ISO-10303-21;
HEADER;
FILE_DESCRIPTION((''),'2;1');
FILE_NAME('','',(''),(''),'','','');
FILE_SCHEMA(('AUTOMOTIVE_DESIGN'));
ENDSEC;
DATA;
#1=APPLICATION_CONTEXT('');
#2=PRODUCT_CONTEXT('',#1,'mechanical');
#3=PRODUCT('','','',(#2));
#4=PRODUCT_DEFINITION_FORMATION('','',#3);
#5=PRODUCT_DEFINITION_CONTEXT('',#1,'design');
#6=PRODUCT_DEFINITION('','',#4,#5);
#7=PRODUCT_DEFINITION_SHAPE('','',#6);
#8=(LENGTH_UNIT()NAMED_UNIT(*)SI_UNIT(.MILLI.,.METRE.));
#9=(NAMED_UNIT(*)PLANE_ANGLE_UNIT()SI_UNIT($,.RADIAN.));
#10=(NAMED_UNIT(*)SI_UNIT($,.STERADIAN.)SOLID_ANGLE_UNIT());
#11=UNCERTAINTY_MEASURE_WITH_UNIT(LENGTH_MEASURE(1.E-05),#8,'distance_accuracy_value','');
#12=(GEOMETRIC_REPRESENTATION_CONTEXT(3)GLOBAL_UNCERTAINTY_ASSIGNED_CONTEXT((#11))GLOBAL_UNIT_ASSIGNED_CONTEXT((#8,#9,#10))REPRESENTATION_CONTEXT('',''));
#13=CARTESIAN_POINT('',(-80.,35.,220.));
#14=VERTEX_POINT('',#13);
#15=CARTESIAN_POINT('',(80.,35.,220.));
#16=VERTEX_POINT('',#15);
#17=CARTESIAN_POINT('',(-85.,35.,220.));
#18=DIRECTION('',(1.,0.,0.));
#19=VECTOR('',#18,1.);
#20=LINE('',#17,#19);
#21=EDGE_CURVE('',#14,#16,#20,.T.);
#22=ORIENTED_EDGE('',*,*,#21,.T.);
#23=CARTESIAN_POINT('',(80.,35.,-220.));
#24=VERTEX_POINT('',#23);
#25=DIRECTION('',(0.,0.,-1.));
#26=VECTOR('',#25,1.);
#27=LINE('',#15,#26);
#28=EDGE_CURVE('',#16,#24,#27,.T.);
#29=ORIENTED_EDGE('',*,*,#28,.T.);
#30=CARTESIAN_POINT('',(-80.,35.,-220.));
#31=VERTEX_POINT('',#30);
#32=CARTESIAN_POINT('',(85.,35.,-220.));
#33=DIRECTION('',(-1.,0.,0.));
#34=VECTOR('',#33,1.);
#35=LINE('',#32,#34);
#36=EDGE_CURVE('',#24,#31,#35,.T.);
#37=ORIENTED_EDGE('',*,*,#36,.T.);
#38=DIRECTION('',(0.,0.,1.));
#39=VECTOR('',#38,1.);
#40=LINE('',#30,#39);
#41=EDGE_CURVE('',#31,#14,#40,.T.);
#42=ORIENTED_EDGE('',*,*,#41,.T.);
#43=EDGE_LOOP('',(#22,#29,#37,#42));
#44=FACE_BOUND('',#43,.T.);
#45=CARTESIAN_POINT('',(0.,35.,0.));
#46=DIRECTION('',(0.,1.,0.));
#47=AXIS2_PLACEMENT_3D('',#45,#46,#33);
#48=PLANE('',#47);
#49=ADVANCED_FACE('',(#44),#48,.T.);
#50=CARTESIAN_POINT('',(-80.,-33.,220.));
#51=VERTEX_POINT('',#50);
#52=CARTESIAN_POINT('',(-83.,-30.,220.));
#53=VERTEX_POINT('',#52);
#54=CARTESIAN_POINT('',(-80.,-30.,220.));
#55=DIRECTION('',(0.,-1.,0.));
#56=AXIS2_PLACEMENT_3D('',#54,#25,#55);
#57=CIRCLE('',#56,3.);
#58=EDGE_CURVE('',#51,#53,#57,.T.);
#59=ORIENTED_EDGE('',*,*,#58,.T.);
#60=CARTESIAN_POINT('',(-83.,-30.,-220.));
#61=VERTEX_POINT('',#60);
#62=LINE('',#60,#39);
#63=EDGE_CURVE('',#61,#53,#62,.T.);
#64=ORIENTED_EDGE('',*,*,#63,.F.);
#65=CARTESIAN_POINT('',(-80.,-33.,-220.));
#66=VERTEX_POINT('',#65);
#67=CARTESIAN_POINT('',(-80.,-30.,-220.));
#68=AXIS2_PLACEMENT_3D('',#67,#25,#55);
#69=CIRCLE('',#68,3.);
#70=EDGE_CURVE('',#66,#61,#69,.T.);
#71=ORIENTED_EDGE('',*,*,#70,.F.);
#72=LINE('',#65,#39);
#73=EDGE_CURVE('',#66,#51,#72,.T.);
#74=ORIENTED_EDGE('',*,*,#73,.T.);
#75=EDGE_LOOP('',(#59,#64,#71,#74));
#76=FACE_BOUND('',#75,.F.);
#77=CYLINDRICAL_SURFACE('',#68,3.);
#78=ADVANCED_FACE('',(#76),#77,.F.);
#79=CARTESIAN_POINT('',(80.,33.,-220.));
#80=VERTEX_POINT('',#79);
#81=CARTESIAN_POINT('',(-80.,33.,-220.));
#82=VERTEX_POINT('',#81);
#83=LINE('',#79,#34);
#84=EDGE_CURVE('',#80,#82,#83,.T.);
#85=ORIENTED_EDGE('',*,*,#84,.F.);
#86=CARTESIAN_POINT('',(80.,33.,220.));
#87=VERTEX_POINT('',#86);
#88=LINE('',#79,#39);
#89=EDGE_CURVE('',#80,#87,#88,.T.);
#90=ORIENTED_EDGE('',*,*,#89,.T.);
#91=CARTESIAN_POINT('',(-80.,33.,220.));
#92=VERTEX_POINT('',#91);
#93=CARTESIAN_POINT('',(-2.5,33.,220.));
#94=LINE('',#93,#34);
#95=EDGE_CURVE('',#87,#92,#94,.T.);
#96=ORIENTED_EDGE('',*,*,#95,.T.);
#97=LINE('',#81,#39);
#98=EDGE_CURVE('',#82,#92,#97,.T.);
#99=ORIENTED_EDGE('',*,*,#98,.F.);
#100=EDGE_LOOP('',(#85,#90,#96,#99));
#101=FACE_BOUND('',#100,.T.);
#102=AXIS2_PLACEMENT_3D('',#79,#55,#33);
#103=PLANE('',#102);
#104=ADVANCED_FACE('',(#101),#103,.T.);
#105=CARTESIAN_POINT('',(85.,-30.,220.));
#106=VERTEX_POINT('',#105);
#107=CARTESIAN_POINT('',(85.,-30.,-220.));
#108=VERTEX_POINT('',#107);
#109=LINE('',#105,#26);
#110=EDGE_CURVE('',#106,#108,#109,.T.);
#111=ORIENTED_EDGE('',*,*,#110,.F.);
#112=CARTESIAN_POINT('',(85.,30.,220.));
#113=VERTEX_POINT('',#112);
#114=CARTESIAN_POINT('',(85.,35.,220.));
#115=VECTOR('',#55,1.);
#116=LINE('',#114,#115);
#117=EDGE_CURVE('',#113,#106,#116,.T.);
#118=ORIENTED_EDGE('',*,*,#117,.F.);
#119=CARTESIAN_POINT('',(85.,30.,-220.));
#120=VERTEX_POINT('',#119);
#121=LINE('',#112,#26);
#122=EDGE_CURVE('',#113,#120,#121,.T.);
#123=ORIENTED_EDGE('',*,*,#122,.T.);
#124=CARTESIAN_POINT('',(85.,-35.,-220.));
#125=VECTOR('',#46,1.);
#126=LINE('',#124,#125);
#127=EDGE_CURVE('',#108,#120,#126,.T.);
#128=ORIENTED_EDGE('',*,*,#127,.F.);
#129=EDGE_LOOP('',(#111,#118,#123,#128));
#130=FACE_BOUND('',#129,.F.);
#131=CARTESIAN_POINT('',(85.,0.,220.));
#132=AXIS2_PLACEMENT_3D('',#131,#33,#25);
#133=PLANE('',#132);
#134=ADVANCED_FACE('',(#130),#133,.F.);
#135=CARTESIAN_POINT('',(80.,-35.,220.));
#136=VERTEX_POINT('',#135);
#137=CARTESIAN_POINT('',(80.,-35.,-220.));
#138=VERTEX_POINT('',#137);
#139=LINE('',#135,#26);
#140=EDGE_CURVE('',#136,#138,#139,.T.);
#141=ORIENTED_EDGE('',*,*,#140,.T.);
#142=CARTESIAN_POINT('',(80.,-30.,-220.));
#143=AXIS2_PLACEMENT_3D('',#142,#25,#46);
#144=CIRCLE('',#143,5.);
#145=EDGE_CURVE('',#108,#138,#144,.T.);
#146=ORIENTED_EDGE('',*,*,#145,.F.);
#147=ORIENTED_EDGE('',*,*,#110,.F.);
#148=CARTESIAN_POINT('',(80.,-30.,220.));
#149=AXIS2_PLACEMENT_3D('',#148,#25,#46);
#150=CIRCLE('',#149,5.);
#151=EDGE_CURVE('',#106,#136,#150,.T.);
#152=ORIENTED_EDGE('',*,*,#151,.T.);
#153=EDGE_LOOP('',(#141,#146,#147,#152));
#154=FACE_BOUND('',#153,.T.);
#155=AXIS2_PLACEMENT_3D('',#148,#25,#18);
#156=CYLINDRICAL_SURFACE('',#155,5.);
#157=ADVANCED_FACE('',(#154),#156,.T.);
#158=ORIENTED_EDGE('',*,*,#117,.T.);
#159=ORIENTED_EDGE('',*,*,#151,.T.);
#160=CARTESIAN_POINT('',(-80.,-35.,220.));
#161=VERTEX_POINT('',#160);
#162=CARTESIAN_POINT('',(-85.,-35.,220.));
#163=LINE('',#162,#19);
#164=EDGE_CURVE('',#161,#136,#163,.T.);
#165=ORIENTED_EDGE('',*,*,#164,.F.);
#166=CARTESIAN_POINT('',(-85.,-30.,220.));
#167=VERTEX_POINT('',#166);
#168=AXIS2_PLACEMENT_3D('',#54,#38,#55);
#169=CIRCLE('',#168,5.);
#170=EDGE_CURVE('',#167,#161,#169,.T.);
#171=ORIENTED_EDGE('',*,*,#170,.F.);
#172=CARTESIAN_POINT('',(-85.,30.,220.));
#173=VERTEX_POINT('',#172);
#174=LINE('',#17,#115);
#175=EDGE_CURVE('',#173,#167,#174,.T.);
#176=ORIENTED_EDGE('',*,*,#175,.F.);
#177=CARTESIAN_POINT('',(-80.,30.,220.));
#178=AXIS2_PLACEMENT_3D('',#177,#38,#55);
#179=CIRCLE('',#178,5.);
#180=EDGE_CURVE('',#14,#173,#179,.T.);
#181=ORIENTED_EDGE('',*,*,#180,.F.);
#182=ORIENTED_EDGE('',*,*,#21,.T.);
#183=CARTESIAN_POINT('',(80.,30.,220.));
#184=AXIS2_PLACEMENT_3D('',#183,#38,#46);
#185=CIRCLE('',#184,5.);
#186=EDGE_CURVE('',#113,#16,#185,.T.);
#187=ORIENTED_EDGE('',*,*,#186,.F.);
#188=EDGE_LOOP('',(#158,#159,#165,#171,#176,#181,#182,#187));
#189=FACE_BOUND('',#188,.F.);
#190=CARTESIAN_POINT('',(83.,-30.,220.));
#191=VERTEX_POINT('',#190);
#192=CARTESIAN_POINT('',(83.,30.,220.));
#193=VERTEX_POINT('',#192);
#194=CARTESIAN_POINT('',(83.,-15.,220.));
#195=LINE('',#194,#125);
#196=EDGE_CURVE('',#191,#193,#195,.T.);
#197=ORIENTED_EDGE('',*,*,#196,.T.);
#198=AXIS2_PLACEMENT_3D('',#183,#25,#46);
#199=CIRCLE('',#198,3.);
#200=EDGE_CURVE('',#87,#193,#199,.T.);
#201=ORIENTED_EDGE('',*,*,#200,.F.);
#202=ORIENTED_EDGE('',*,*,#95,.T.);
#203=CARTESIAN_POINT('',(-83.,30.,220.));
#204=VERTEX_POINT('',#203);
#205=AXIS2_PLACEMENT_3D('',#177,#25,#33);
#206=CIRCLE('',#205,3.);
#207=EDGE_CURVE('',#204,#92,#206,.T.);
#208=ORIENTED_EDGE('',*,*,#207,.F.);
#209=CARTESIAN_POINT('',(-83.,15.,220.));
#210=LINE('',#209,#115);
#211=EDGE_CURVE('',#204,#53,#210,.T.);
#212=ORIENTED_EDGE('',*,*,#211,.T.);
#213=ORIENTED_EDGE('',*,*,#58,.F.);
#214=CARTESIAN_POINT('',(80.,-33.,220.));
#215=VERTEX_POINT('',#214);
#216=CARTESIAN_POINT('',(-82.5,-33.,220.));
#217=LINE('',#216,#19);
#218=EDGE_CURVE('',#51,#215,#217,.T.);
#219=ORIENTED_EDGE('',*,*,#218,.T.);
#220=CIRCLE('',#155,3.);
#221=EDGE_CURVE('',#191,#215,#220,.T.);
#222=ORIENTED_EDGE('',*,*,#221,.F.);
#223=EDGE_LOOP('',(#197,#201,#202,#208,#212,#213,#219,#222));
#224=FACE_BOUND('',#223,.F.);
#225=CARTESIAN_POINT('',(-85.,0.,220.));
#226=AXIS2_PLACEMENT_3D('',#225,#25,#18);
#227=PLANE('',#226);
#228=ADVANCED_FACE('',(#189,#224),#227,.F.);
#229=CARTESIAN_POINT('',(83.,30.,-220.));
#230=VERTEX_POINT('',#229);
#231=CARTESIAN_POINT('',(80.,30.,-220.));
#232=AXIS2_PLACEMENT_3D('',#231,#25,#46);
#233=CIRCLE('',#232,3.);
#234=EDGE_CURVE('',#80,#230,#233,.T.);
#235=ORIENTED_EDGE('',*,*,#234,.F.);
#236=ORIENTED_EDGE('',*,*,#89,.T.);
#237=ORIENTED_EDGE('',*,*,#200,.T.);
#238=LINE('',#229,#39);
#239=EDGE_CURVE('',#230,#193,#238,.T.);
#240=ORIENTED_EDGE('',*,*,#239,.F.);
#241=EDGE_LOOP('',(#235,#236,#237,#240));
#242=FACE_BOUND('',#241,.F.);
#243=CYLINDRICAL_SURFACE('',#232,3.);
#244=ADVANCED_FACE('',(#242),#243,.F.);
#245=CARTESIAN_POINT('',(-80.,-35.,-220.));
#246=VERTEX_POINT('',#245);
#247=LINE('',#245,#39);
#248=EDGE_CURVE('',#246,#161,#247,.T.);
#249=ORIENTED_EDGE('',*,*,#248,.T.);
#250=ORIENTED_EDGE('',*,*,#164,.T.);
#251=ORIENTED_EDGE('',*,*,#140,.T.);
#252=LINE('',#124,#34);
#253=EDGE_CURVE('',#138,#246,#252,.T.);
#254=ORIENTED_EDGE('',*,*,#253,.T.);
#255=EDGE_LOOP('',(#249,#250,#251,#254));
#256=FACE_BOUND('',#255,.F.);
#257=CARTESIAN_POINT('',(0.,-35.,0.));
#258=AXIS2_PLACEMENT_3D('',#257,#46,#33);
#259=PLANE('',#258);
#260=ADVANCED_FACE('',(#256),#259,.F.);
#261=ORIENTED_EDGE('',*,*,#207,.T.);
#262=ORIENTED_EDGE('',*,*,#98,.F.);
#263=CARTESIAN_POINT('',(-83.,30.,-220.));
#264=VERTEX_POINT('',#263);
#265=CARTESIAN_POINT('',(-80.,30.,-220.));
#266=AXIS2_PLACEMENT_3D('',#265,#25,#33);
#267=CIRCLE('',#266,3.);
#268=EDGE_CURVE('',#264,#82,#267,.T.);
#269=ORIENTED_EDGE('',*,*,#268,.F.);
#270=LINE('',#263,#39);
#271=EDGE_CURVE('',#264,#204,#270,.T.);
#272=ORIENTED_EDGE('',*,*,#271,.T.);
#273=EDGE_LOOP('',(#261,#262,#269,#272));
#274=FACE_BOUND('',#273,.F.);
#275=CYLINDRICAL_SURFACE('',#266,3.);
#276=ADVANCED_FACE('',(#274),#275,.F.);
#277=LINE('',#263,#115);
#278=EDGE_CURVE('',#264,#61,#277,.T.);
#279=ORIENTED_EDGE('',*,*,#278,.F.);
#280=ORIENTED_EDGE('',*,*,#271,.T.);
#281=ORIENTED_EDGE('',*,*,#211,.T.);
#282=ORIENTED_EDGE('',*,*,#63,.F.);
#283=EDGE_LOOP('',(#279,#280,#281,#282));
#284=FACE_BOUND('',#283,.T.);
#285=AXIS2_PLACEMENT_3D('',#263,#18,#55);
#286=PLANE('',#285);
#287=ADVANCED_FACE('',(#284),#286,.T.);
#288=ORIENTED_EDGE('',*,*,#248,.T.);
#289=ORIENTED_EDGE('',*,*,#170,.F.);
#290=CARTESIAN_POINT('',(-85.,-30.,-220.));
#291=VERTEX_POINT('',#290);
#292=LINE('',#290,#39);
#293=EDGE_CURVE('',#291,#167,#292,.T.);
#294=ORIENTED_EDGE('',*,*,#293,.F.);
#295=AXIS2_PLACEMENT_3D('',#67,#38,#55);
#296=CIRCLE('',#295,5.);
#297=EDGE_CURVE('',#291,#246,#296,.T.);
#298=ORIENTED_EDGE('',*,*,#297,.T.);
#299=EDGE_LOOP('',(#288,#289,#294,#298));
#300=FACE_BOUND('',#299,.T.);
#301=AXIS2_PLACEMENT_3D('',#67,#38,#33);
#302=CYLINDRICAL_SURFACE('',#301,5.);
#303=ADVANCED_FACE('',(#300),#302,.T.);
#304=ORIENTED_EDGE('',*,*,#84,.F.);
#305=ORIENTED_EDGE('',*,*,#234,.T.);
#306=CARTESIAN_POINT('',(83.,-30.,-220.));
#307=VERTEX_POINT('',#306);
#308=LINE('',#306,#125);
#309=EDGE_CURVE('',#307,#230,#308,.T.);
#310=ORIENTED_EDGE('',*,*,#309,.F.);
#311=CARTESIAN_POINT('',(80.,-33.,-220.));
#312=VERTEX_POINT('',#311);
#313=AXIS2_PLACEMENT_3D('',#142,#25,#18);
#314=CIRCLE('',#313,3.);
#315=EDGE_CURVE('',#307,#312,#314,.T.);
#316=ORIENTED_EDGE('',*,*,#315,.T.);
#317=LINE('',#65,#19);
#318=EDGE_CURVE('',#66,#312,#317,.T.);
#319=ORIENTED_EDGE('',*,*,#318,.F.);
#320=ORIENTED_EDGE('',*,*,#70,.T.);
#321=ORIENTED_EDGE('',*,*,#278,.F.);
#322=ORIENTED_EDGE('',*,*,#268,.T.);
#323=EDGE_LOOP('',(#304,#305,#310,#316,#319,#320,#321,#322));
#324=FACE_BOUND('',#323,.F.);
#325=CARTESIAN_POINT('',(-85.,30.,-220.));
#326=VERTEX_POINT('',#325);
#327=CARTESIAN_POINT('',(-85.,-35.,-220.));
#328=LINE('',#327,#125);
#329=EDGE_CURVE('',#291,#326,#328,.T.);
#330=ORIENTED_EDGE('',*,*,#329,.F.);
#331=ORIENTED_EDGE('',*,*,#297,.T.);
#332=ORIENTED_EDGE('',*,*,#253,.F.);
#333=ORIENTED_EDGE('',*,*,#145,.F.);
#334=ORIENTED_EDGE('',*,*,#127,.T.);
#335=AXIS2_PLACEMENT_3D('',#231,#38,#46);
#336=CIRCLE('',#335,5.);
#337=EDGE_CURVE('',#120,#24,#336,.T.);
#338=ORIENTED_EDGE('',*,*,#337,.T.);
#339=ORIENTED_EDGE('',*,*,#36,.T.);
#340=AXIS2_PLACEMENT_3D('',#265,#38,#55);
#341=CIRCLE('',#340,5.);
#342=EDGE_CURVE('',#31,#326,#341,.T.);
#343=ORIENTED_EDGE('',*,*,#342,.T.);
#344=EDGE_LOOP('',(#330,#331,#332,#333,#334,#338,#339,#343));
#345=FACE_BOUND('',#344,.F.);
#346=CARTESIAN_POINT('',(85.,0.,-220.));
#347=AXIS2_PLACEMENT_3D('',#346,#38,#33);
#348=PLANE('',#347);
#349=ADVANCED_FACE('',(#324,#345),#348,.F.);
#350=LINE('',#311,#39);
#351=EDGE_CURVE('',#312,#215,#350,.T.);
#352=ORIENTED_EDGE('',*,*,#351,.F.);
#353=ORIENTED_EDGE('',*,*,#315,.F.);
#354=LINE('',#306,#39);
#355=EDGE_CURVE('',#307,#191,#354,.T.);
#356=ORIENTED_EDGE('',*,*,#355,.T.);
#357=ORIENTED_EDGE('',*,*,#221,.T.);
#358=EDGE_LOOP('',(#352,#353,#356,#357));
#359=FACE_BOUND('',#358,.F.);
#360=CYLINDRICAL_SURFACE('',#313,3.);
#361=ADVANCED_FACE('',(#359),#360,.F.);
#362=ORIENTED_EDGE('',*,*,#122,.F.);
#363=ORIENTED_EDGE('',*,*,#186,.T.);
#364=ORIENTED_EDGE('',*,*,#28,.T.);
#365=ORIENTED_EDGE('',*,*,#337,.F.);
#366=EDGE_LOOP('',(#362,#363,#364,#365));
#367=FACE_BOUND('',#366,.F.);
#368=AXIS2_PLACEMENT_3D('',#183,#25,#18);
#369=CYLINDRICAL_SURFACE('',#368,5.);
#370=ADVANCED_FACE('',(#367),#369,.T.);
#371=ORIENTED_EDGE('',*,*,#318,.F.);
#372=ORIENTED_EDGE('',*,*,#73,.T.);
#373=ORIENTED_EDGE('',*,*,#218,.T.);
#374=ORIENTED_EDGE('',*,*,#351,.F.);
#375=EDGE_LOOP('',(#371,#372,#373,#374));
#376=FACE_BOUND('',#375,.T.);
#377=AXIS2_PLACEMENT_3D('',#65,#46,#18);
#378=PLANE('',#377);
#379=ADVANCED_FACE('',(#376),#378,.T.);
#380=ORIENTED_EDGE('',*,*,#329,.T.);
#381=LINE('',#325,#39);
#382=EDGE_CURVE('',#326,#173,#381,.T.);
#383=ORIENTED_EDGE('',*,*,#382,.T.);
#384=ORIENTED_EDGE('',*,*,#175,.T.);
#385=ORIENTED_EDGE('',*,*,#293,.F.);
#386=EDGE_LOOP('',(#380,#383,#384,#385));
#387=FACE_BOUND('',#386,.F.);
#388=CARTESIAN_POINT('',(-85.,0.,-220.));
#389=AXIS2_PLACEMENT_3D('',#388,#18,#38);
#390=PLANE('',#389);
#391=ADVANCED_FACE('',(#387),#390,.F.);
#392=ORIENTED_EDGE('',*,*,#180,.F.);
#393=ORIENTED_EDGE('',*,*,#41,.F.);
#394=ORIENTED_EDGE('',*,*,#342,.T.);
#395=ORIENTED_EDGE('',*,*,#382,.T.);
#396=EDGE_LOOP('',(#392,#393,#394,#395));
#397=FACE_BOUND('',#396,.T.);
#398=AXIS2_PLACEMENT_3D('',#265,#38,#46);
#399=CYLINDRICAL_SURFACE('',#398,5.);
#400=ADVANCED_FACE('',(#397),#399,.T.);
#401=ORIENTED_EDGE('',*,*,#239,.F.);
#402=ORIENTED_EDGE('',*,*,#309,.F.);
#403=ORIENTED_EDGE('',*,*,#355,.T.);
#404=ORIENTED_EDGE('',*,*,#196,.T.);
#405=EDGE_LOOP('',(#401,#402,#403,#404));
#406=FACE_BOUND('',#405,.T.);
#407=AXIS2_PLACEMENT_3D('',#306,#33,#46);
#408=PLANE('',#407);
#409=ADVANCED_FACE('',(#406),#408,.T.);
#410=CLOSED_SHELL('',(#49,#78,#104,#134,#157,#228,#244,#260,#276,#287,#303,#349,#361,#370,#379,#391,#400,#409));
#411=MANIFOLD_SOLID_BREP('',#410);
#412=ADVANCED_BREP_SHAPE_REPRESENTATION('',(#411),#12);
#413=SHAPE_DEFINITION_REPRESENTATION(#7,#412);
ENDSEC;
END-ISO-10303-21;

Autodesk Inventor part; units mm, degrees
ref_plane "YZ Plane" through (0, 0, 0) normal (1, 0, 0) x (0, 1, 0)
ref_plane "XZ Plane" through (0, 0, 0) normal (0, 1, 0) x (-1, 0, 0)
ref_plane "XY Plane" through (0, 0, 0) normal (0, 0, 1) x (1, 0, 0)
sketch "Esquisse1" plane through (0, 0, 0) normal (0, 1, 0) x (-1, 0, 0)
  line L0 (0, -308) -> (0, 308) construction
  line L1 (-119, 0) -> (119, 0) construction
  line L2 (-85, -220) -> (85, -220)
  line L3 (85, -220) -> (85, 220)
  line L4 (85, 220) -> (-85, 220)
  line L5 (-85, 220) -> (-85, -220)
  line L6 (-85, -220) -> (85, 220) construction
  line L7 (85, -220) -> (-85, 220) construction
  point P0 (0, 0)
  dimension "d0" = 170
  dimension "d1" = 440
extrude "Extrusion1" add sketch "Esquisse1" along normal mid plane 70
fillet "Congé1" radius 5 4 edges at (85, -35, 0) (85, 35, 0) (-85, -35, 0) (-85, 35, 0)
sketch "Sketch2" plane through (80, 35, -220) normal (0, 0, -1) x (-1, 0, 0)
  arc A0 (165, -5) -> (160, 0) centre (160, -5) ccw construction
  line L0 (0, 0) -> (160, 0) construction
  arc A1 (0, 0) -> (-5, -5) centre (0, -5) ccw construction
  line L1 (-5, -5) -> (-5, -65) construction
  arc A2 (-5, -65) -> (0, -70) centre (0, -65) ccw construction
  line L2 (160, -70) -> (0, -70) construction
  arc A3 (160, -70) -> (165, -65) centre (160, -65) ccw construction
  line L3 (165, -65) -> (165, -5) construction
  arc A4 (-3, -65) -> (0, -68) centre (0, -65) ccw
  line L4 (-3, -65) -> (-3, -5)
  arc A5 (0, -2) -> (-3, -5) centre (0, -5) ccw
  line L5 (0, -2) -> (160, -2)
  arc A6 (163, -5) -> (160, -2) centre (160, -5) ccw
  line L6 (163, -5) -> (163, -65)
  arc A7 (160, -68) -> (163, -65) centre (160, -65) ccw
  line L7 (160, -68) -> (0, -68)
  point P0 (80, -35)
  dimension "d5" = 2
extrude "Extrusion2" cut sketch "Sketch2" against normal through all
properties part number "Casing_Generator"
